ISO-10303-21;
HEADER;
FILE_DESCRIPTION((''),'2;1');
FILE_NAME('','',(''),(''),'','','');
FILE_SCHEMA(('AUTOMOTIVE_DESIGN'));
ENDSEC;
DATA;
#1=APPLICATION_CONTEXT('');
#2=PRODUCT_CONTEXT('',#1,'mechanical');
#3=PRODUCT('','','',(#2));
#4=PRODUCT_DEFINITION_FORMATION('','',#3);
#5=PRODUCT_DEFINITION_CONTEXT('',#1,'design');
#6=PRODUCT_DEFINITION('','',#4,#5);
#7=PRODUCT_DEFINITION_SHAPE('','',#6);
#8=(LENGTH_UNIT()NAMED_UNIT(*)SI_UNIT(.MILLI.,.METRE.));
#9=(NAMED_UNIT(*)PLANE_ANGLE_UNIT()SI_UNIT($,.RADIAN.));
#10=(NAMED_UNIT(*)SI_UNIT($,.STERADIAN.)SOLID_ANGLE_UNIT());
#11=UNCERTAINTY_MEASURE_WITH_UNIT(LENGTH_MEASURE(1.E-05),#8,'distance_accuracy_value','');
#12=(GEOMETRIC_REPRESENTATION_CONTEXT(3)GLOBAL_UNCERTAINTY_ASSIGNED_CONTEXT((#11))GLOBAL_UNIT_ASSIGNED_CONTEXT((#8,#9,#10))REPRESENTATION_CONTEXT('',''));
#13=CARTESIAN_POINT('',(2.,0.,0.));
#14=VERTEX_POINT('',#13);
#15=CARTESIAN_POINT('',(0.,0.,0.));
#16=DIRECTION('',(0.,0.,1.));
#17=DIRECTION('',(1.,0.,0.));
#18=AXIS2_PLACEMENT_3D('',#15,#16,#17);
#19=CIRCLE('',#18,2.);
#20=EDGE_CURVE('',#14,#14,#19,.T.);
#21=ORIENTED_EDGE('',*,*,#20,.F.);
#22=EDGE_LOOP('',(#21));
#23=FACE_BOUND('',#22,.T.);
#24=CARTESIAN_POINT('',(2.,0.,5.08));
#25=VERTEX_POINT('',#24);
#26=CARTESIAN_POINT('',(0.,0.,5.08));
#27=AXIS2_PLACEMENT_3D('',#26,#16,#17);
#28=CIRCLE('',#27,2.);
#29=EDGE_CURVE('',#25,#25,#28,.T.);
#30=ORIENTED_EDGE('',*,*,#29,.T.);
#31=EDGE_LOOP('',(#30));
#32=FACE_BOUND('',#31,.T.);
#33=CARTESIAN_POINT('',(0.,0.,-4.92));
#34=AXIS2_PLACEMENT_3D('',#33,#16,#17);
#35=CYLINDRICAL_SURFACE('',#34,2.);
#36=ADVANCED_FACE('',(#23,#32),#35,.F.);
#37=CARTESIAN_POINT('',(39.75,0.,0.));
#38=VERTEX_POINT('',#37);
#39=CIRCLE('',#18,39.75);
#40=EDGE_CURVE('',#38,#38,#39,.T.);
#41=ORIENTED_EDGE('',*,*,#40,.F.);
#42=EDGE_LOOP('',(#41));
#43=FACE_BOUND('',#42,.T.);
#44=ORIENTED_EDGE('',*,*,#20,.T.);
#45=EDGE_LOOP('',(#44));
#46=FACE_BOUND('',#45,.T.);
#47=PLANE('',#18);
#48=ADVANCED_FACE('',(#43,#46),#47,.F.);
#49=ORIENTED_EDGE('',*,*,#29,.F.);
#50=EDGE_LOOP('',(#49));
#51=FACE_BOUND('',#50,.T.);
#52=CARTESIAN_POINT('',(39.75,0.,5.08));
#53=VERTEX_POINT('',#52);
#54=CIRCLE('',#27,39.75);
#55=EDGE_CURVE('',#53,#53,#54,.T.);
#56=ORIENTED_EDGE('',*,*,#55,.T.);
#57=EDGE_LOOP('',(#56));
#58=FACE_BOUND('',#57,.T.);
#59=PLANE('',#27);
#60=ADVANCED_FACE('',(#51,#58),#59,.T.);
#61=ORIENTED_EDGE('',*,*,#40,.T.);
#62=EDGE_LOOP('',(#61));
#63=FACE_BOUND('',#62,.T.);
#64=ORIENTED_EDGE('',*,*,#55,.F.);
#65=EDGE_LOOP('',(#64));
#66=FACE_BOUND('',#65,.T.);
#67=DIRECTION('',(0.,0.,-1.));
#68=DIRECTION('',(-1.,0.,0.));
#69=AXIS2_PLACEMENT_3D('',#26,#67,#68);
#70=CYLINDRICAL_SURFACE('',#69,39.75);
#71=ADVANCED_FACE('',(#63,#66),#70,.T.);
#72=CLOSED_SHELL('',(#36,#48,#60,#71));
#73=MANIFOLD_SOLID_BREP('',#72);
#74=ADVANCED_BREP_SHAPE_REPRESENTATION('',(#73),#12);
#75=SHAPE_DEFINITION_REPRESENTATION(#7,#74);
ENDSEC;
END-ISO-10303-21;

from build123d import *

# Parameters (mm, degrees)
SKETCH1_R           = 39.75
BOSS_EXTRUDE1_DEPTH = 5.08
SKETCH2_R           = 2
CUT_EXTRUDE1_DEPTH  = 10


with BuildPart() as part:
    # Sketch1 → Boss-Extrude1 (new body)
    with BuildSketch(Plane.XY):
        Circle(SKETCH1_R)
    extrude(amount=BOSS_EXTRUDE1_DEPTH)

    # Sketch2 → Cut-Extrude1 (cut)
    with BuildSketch(Plane.XY.offset(5.08)):
        Circle(SKETCH2_R)
    extrude(amount=-CUT_EXTRUDE1_DEPTH, mode=Mode.SUBTRACT)


solid = part.part
